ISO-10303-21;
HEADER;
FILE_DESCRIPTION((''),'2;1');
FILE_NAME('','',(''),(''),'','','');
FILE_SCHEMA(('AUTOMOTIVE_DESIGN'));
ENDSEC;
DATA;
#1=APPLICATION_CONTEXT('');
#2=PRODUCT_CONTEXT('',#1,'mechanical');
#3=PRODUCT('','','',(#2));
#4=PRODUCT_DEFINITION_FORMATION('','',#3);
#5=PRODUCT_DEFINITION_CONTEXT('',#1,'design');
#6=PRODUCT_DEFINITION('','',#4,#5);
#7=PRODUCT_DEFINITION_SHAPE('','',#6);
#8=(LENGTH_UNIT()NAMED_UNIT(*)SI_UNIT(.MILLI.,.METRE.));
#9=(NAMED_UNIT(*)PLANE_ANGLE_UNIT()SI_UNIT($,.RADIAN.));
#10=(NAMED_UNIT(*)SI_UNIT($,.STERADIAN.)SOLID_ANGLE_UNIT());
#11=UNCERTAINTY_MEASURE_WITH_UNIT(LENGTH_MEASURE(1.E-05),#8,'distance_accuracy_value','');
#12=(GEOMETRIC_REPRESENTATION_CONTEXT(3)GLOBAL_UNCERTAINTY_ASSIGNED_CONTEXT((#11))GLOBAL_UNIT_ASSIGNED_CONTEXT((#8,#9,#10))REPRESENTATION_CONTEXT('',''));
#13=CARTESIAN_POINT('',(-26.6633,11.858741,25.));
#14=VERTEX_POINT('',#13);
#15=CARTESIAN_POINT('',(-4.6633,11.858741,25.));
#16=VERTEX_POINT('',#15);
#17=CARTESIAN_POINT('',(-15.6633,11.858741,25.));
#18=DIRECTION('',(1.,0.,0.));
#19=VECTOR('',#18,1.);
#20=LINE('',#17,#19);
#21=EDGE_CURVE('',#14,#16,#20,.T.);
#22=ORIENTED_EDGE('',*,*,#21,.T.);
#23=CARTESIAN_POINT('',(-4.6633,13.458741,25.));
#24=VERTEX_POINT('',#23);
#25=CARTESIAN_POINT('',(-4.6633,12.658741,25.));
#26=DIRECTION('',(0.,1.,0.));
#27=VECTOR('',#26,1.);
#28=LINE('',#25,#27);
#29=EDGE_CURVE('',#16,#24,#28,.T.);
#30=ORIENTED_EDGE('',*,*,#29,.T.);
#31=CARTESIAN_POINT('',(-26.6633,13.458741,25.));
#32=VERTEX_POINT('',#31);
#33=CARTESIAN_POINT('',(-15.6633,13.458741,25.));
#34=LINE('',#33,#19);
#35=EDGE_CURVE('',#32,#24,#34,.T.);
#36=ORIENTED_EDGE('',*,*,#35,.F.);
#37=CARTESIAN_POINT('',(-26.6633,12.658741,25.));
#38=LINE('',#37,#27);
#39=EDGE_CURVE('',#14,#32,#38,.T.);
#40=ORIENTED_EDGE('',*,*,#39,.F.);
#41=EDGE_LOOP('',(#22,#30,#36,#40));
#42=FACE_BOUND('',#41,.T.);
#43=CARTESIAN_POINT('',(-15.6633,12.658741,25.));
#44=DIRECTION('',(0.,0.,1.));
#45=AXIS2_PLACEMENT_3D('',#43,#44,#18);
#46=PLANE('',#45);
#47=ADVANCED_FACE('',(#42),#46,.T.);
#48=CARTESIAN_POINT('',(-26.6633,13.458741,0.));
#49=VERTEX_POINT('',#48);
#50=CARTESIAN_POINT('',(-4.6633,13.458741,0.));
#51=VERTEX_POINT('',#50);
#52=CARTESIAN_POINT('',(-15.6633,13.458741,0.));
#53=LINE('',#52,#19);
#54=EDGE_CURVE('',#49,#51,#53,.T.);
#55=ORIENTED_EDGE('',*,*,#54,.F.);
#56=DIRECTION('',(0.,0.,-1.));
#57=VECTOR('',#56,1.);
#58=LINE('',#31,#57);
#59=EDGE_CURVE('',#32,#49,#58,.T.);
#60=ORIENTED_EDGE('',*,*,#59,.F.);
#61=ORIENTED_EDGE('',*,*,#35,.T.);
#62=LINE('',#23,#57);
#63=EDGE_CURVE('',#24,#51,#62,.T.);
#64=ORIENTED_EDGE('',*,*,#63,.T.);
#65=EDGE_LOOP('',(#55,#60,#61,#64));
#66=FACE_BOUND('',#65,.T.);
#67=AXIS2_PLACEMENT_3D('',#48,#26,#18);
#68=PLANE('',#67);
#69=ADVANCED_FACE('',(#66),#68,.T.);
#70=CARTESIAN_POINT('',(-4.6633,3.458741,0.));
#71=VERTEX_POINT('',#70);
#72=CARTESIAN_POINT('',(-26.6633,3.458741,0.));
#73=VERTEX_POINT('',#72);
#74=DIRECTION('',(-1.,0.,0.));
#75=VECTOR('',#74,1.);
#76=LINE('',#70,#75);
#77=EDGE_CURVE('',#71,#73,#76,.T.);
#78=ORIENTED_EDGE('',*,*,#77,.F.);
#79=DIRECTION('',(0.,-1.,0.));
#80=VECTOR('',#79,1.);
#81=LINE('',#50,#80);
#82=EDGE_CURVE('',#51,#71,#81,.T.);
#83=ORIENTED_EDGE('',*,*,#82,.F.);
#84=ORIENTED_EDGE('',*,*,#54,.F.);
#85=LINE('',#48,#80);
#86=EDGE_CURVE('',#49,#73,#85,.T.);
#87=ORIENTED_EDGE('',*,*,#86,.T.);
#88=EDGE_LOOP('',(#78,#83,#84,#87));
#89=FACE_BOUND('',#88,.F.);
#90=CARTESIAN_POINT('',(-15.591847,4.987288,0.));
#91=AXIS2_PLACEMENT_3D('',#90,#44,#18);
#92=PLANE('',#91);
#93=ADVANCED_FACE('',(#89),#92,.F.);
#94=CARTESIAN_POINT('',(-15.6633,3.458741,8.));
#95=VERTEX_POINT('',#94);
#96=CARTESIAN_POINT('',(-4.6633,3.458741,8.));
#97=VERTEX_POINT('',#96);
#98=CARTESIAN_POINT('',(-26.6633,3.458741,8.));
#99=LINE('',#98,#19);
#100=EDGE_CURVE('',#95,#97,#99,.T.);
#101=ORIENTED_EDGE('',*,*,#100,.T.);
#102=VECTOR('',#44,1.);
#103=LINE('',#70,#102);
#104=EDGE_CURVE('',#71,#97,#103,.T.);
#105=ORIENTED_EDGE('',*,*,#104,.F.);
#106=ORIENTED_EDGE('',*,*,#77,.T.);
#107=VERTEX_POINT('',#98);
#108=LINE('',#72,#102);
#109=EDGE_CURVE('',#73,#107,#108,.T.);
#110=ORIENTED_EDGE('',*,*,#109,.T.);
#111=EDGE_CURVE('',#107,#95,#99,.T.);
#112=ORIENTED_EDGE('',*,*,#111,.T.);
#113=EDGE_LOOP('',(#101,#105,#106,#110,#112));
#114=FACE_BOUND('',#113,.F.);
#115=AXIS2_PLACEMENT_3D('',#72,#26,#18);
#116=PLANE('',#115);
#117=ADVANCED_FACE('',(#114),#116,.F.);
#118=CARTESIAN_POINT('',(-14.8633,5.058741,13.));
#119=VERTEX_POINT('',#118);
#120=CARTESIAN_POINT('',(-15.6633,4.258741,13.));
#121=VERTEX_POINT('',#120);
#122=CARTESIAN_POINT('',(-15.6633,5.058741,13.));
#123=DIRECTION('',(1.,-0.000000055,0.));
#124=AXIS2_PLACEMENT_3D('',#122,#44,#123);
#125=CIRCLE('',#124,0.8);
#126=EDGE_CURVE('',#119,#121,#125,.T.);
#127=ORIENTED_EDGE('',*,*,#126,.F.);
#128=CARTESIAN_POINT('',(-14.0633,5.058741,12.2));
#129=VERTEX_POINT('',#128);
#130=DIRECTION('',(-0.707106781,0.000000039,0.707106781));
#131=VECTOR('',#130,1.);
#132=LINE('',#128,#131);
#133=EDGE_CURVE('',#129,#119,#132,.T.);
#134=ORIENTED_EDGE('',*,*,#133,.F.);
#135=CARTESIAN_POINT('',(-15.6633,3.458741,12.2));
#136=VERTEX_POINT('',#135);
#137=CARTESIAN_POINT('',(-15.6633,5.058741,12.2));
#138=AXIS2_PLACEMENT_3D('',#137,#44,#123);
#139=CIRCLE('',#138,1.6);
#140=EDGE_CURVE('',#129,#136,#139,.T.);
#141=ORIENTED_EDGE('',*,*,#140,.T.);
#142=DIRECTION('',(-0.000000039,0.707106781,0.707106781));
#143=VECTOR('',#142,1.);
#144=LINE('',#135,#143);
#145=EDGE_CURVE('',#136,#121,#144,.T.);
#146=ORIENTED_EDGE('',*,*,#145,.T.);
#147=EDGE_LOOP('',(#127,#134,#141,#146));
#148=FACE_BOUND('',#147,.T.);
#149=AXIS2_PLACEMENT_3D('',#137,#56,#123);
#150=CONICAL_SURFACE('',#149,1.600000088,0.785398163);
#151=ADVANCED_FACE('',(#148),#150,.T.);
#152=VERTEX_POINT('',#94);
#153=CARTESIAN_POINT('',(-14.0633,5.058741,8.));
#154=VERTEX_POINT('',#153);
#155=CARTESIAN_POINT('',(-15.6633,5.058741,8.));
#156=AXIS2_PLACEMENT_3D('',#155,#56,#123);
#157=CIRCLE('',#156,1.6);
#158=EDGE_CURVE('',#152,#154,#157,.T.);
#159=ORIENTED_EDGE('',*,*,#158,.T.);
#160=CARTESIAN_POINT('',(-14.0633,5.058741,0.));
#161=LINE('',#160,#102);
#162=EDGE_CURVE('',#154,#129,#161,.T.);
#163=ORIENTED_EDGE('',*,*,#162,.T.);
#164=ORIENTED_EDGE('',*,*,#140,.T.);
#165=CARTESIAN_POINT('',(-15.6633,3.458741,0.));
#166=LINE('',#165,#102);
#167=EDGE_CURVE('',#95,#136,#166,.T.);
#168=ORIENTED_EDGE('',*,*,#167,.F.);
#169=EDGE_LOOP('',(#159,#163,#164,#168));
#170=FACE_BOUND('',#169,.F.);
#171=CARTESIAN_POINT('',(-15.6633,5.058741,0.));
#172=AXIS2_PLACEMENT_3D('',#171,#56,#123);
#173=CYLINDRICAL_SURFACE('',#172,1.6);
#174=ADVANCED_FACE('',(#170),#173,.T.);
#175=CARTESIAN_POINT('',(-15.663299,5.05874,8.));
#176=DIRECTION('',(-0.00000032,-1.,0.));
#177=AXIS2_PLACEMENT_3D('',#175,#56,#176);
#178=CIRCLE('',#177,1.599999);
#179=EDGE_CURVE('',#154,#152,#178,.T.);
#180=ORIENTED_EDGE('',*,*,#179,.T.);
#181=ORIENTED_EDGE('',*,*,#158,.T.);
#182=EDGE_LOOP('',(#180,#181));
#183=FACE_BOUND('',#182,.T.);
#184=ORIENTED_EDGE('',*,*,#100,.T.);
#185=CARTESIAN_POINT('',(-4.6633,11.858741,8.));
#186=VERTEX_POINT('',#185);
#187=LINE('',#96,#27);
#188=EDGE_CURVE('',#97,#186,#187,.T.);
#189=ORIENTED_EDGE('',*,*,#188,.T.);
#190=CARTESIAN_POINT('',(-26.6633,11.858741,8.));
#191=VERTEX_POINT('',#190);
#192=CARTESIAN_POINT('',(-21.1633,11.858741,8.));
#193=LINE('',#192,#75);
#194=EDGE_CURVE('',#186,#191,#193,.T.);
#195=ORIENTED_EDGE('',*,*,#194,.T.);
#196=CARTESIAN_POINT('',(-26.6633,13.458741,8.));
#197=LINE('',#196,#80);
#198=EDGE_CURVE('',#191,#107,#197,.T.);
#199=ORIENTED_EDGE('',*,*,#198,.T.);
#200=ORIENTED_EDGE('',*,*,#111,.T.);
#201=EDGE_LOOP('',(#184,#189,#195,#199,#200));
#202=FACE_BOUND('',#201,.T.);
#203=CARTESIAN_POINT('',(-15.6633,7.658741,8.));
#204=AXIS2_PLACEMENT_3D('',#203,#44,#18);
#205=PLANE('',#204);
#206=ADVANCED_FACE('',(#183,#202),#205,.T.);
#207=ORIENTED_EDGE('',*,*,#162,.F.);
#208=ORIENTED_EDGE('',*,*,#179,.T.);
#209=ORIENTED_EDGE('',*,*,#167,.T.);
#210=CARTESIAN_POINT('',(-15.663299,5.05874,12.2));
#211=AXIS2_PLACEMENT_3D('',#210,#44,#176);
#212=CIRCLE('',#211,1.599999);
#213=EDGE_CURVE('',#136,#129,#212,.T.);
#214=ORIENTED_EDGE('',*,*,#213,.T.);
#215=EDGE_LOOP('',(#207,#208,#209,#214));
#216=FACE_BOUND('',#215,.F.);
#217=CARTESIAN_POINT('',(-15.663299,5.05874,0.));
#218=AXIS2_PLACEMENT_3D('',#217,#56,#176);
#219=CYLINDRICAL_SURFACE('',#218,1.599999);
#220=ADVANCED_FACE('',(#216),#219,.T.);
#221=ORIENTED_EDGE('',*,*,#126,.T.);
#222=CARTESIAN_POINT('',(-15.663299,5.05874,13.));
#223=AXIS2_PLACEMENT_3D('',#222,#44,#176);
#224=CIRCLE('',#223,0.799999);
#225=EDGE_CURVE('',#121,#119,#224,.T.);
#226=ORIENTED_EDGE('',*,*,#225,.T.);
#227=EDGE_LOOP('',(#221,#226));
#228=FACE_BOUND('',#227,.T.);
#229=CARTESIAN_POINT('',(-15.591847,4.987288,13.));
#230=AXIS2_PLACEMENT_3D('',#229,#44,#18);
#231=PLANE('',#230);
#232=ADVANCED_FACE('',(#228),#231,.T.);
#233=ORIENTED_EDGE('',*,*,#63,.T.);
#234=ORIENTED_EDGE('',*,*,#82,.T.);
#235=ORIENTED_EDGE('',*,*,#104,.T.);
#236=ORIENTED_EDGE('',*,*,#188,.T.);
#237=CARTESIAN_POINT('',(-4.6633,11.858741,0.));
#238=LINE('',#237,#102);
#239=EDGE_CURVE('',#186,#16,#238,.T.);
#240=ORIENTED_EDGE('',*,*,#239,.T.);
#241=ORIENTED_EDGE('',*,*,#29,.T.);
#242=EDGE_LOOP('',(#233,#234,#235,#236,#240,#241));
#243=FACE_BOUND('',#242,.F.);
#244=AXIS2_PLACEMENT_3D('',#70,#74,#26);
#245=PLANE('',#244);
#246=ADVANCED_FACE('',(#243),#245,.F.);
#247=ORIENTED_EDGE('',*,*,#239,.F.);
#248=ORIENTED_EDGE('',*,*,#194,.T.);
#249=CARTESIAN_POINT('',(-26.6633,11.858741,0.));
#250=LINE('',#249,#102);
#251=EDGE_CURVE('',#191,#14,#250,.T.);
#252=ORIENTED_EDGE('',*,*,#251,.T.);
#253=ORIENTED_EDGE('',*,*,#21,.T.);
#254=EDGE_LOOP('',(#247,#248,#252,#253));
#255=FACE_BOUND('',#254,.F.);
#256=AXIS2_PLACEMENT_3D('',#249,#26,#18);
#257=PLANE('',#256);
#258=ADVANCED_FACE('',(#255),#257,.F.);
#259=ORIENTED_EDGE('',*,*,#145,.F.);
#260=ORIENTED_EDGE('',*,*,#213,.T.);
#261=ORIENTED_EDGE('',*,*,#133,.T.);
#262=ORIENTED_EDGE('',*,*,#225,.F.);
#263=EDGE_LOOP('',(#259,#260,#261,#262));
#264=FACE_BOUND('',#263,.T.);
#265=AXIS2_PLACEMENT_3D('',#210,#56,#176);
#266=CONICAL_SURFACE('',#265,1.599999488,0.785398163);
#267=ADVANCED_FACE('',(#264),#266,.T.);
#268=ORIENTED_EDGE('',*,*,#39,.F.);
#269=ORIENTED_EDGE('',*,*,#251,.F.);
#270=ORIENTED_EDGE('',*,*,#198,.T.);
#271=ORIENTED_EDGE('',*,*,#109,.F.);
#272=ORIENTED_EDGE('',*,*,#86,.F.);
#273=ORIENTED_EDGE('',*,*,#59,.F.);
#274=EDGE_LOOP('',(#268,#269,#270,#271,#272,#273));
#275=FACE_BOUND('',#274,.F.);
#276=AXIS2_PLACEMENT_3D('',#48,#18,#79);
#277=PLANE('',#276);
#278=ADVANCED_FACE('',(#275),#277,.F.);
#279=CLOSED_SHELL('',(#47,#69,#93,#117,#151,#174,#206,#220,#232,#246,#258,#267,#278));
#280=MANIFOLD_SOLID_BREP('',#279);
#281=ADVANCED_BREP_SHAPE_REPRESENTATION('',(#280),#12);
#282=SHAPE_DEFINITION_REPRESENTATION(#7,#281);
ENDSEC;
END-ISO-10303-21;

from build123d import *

# Parameters (mm, degrees)
F0_W     = 22
F0_H     = 1.6
F1_DEPTH = 8
F2_DEPTH = 25
F3_DEPTH = 13
F4_SIZE  = 0.8


with BuildPart() as f1:
    # F0 (on Top) → F1 (new body)
    with BuildSketch(Plane.XY):
        Polygon((-15.6633, 3.458741), (-4.6633, 3.458741), (-4.6633, 11.858741), (-26.6633, 11.858741), (-26.6633, 3.458741), align=None)
        with BuildLine():
            ThreePointArc((-14.0633, 5.058741), (-14.531929, 3.92737), (-15.6633, 3.458741))
            ThreePointArc((-15.6633, 3.458741), (-16.794671, 6.190112), (-14.0633, 5.058741))
        make_face(mode=Mode.SUBTRACT)
        with Locations((-15.6633, 12.658741)):
            Rectangle(F0_W, F0_H)
        with BuildLine():
            ThreePointArc((-14.0633, 5.058741), (-16.794671, 6.190112), (-15.6633, 3.458741))
            ThreePointArc((-15.6633, 3.458741), (-14.531929, 3.92737), (-14.0633, 5.058741))
        make_face()
    extrude(amount=F1_DEPTH)

    # F0 (on Top) → F2 (join)
    with BuildSketch(Plane.XY):
        with Locations((-15.6633, 12.658741)):
            Rectangle(F0_W, F0_H)
    extrude(amount=F2_DEPTH)

    # F0 (on Top) → F3 (join)
    with BuildSketch(Plane.XY):
        with BuildLine():
            ThreePointArc((-14.0633, 5.058741), (-16.794671, 6.190112), (-15.6633, 3.458741))
            ThreePointArc((-15.6633, 3.458741), (-14.531929, 3.92737), (-14.0633, 5.058741))
        make_face()
    extrude(amount=F3_DEPTH)

    # F4
    f4_edges = [f1.edges().sort_by_distance(p)[0] for p in [
        (-15.6633, 6.658741, 13),
    ]]
    chamfer(f4_edges, length=F4_SIZE)


solid = f1.part
